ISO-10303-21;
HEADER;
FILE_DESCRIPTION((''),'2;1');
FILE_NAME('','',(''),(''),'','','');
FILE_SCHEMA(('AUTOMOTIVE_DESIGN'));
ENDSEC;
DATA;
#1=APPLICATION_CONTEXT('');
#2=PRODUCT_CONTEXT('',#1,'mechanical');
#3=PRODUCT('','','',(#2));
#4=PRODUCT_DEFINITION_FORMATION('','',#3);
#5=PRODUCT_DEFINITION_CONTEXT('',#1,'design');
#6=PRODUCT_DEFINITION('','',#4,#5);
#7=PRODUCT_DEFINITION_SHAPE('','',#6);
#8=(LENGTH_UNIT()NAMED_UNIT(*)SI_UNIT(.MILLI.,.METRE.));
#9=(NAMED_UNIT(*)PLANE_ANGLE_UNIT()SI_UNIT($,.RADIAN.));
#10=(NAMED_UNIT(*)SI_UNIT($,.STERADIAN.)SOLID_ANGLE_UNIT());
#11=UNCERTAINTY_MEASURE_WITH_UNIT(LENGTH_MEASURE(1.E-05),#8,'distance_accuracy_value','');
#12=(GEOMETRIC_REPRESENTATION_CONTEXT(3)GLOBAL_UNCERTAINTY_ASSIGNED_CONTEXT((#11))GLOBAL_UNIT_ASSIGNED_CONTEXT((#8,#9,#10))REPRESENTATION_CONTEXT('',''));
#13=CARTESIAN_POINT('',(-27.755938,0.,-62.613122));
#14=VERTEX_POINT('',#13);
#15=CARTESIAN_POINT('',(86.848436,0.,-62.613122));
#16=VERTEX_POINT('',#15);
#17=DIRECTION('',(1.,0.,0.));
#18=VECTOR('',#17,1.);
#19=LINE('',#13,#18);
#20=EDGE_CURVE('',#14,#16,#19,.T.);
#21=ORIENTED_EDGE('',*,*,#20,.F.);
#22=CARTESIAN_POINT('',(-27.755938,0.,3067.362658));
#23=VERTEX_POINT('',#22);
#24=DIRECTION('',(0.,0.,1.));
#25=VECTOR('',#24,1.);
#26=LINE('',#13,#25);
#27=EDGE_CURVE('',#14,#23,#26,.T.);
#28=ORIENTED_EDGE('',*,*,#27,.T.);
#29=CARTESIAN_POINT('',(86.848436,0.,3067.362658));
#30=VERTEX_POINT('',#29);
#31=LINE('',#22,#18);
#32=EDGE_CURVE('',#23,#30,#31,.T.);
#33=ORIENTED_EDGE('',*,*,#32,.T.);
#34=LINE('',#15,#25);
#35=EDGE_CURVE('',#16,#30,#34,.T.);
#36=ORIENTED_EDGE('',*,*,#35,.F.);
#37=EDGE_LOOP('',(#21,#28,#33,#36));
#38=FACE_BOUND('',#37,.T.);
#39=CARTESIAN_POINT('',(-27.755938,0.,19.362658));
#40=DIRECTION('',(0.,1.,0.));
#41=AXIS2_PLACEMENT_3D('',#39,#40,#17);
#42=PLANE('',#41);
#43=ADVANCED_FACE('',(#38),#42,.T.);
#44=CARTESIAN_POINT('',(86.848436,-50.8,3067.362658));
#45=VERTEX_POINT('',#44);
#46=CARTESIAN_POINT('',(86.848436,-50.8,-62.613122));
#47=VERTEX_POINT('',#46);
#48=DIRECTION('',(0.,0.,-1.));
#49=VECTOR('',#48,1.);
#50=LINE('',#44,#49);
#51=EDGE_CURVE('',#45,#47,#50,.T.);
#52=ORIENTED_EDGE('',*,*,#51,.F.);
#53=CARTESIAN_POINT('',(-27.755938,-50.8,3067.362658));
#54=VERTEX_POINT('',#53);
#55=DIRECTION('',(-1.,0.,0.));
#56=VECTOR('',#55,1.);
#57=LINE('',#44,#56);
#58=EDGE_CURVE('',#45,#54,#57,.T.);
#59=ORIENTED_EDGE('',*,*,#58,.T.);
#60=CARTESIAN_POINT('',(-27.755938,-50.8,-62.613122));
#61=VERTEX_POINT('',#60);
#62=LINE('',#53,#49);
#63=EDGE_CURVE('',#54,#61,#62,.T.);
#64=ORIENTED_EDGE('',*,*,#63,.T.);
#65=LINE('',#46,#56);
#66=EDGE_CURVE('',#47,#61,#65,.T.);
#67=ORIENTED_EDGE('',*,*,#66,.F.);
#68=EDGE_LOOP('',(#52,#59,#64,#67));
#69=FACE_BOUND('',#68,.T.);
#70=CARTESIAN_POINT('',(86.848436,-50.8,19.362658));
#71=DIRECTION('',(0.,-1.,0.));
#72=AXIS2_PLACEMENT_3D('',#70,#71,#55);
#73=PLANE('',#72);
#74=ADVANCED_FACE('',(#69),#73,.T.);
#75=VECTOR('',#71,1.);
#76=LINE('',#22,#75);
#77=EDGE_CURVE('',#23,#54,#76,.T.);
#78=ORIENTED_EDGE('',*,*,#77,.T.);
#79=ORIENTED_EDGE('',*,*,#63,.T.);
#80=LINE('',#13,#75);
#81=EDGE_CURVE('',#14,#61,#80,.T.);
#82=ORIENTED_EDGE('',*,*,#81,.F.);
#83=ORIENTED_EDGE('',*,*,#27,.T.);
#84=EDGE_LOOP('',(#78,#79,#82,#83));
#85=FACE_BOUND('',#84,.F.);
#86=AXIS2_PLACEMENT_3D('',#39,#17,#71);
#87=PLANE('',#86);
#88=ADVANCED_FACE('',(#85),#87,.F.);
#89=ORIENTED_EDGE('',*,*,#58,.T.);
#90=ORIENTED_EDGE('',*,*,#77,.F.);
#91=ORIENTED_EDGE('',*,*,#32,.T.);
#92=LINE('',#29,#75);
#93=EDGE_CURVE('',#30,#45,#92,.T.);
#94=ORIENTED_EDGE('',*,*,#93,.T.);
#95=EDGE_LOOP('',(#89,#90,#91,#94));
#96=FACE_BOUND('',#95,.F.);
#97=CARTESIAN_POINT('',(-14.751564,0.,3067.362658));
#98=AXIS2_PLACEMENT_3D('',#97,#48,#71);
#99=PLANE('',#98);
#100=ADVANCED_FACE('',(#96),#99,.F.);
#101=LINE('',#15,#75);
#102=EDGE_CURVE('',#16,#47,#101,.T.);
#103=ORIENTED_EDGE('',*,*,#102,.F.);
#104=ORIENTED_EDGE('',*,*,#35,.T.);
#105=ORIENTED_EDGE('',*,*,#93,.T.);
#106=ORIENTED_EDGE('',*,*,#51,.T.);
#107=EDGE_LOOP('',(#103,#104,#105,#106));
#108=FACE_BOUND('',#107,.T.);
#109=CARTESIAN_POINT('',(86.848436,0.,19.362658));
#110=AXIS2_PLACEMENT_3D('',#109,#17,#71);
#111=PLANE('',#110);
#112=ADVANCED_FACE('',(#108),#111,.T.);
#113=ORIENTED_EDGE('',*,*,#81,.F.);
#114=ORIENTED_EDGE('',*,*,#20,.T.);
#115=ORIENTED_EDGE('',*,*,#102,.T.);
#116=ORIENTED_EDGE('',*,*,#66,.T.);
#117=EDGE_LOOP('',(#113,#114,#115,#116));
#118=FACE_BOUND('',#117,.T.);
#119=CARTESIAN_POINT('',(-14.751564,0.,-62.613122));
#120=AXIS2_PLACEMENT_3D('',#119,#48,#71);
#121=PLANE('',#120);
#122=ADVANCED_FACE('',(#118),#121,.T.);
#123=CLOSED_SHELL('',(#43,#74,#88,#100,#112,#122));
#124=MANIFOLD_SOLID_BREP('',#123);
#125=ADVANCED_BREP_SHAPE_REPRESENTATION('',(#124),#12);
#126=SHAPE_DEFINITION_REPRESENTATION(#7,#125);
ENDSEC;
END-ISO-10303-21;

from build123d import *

# Parameters (mm, degrees)
F0_W     = 13.0043746904
F0_H     = 81.9757804275
F1_DEPTH = 50.8
F2_DEPTH = 101.6
F3_DEPTH = 3048


with BuildPart() as f1:
    # F0 (on Front) → F1 (new body)
    with BuildSketch(Plane.XZ):
        with Locations((-21.2537511252, -21.6252319515)):
            Rectangle(F0_W, F0_H)
    extrude(amount=F1_DEPTH)

    # F2 (add): a face of the model
    f2_faces = [f1.faces().sort_by_distance(p)[0] for p in [
        (-14.75156378, -25.4, -21.6252319515),
    ]]
    extrude(f2_faces, amount=F2_DEPTH)

    # F3 (add): a face of the model
    f3_faces = [f1.faces().sort_by_distance(p)[0] for p in [
        (29.5462488748, -25.4, 19.3626582623),
    ]]
    extrude(f3_faces, amount=F3_DEPTH)


solid = f1.part
